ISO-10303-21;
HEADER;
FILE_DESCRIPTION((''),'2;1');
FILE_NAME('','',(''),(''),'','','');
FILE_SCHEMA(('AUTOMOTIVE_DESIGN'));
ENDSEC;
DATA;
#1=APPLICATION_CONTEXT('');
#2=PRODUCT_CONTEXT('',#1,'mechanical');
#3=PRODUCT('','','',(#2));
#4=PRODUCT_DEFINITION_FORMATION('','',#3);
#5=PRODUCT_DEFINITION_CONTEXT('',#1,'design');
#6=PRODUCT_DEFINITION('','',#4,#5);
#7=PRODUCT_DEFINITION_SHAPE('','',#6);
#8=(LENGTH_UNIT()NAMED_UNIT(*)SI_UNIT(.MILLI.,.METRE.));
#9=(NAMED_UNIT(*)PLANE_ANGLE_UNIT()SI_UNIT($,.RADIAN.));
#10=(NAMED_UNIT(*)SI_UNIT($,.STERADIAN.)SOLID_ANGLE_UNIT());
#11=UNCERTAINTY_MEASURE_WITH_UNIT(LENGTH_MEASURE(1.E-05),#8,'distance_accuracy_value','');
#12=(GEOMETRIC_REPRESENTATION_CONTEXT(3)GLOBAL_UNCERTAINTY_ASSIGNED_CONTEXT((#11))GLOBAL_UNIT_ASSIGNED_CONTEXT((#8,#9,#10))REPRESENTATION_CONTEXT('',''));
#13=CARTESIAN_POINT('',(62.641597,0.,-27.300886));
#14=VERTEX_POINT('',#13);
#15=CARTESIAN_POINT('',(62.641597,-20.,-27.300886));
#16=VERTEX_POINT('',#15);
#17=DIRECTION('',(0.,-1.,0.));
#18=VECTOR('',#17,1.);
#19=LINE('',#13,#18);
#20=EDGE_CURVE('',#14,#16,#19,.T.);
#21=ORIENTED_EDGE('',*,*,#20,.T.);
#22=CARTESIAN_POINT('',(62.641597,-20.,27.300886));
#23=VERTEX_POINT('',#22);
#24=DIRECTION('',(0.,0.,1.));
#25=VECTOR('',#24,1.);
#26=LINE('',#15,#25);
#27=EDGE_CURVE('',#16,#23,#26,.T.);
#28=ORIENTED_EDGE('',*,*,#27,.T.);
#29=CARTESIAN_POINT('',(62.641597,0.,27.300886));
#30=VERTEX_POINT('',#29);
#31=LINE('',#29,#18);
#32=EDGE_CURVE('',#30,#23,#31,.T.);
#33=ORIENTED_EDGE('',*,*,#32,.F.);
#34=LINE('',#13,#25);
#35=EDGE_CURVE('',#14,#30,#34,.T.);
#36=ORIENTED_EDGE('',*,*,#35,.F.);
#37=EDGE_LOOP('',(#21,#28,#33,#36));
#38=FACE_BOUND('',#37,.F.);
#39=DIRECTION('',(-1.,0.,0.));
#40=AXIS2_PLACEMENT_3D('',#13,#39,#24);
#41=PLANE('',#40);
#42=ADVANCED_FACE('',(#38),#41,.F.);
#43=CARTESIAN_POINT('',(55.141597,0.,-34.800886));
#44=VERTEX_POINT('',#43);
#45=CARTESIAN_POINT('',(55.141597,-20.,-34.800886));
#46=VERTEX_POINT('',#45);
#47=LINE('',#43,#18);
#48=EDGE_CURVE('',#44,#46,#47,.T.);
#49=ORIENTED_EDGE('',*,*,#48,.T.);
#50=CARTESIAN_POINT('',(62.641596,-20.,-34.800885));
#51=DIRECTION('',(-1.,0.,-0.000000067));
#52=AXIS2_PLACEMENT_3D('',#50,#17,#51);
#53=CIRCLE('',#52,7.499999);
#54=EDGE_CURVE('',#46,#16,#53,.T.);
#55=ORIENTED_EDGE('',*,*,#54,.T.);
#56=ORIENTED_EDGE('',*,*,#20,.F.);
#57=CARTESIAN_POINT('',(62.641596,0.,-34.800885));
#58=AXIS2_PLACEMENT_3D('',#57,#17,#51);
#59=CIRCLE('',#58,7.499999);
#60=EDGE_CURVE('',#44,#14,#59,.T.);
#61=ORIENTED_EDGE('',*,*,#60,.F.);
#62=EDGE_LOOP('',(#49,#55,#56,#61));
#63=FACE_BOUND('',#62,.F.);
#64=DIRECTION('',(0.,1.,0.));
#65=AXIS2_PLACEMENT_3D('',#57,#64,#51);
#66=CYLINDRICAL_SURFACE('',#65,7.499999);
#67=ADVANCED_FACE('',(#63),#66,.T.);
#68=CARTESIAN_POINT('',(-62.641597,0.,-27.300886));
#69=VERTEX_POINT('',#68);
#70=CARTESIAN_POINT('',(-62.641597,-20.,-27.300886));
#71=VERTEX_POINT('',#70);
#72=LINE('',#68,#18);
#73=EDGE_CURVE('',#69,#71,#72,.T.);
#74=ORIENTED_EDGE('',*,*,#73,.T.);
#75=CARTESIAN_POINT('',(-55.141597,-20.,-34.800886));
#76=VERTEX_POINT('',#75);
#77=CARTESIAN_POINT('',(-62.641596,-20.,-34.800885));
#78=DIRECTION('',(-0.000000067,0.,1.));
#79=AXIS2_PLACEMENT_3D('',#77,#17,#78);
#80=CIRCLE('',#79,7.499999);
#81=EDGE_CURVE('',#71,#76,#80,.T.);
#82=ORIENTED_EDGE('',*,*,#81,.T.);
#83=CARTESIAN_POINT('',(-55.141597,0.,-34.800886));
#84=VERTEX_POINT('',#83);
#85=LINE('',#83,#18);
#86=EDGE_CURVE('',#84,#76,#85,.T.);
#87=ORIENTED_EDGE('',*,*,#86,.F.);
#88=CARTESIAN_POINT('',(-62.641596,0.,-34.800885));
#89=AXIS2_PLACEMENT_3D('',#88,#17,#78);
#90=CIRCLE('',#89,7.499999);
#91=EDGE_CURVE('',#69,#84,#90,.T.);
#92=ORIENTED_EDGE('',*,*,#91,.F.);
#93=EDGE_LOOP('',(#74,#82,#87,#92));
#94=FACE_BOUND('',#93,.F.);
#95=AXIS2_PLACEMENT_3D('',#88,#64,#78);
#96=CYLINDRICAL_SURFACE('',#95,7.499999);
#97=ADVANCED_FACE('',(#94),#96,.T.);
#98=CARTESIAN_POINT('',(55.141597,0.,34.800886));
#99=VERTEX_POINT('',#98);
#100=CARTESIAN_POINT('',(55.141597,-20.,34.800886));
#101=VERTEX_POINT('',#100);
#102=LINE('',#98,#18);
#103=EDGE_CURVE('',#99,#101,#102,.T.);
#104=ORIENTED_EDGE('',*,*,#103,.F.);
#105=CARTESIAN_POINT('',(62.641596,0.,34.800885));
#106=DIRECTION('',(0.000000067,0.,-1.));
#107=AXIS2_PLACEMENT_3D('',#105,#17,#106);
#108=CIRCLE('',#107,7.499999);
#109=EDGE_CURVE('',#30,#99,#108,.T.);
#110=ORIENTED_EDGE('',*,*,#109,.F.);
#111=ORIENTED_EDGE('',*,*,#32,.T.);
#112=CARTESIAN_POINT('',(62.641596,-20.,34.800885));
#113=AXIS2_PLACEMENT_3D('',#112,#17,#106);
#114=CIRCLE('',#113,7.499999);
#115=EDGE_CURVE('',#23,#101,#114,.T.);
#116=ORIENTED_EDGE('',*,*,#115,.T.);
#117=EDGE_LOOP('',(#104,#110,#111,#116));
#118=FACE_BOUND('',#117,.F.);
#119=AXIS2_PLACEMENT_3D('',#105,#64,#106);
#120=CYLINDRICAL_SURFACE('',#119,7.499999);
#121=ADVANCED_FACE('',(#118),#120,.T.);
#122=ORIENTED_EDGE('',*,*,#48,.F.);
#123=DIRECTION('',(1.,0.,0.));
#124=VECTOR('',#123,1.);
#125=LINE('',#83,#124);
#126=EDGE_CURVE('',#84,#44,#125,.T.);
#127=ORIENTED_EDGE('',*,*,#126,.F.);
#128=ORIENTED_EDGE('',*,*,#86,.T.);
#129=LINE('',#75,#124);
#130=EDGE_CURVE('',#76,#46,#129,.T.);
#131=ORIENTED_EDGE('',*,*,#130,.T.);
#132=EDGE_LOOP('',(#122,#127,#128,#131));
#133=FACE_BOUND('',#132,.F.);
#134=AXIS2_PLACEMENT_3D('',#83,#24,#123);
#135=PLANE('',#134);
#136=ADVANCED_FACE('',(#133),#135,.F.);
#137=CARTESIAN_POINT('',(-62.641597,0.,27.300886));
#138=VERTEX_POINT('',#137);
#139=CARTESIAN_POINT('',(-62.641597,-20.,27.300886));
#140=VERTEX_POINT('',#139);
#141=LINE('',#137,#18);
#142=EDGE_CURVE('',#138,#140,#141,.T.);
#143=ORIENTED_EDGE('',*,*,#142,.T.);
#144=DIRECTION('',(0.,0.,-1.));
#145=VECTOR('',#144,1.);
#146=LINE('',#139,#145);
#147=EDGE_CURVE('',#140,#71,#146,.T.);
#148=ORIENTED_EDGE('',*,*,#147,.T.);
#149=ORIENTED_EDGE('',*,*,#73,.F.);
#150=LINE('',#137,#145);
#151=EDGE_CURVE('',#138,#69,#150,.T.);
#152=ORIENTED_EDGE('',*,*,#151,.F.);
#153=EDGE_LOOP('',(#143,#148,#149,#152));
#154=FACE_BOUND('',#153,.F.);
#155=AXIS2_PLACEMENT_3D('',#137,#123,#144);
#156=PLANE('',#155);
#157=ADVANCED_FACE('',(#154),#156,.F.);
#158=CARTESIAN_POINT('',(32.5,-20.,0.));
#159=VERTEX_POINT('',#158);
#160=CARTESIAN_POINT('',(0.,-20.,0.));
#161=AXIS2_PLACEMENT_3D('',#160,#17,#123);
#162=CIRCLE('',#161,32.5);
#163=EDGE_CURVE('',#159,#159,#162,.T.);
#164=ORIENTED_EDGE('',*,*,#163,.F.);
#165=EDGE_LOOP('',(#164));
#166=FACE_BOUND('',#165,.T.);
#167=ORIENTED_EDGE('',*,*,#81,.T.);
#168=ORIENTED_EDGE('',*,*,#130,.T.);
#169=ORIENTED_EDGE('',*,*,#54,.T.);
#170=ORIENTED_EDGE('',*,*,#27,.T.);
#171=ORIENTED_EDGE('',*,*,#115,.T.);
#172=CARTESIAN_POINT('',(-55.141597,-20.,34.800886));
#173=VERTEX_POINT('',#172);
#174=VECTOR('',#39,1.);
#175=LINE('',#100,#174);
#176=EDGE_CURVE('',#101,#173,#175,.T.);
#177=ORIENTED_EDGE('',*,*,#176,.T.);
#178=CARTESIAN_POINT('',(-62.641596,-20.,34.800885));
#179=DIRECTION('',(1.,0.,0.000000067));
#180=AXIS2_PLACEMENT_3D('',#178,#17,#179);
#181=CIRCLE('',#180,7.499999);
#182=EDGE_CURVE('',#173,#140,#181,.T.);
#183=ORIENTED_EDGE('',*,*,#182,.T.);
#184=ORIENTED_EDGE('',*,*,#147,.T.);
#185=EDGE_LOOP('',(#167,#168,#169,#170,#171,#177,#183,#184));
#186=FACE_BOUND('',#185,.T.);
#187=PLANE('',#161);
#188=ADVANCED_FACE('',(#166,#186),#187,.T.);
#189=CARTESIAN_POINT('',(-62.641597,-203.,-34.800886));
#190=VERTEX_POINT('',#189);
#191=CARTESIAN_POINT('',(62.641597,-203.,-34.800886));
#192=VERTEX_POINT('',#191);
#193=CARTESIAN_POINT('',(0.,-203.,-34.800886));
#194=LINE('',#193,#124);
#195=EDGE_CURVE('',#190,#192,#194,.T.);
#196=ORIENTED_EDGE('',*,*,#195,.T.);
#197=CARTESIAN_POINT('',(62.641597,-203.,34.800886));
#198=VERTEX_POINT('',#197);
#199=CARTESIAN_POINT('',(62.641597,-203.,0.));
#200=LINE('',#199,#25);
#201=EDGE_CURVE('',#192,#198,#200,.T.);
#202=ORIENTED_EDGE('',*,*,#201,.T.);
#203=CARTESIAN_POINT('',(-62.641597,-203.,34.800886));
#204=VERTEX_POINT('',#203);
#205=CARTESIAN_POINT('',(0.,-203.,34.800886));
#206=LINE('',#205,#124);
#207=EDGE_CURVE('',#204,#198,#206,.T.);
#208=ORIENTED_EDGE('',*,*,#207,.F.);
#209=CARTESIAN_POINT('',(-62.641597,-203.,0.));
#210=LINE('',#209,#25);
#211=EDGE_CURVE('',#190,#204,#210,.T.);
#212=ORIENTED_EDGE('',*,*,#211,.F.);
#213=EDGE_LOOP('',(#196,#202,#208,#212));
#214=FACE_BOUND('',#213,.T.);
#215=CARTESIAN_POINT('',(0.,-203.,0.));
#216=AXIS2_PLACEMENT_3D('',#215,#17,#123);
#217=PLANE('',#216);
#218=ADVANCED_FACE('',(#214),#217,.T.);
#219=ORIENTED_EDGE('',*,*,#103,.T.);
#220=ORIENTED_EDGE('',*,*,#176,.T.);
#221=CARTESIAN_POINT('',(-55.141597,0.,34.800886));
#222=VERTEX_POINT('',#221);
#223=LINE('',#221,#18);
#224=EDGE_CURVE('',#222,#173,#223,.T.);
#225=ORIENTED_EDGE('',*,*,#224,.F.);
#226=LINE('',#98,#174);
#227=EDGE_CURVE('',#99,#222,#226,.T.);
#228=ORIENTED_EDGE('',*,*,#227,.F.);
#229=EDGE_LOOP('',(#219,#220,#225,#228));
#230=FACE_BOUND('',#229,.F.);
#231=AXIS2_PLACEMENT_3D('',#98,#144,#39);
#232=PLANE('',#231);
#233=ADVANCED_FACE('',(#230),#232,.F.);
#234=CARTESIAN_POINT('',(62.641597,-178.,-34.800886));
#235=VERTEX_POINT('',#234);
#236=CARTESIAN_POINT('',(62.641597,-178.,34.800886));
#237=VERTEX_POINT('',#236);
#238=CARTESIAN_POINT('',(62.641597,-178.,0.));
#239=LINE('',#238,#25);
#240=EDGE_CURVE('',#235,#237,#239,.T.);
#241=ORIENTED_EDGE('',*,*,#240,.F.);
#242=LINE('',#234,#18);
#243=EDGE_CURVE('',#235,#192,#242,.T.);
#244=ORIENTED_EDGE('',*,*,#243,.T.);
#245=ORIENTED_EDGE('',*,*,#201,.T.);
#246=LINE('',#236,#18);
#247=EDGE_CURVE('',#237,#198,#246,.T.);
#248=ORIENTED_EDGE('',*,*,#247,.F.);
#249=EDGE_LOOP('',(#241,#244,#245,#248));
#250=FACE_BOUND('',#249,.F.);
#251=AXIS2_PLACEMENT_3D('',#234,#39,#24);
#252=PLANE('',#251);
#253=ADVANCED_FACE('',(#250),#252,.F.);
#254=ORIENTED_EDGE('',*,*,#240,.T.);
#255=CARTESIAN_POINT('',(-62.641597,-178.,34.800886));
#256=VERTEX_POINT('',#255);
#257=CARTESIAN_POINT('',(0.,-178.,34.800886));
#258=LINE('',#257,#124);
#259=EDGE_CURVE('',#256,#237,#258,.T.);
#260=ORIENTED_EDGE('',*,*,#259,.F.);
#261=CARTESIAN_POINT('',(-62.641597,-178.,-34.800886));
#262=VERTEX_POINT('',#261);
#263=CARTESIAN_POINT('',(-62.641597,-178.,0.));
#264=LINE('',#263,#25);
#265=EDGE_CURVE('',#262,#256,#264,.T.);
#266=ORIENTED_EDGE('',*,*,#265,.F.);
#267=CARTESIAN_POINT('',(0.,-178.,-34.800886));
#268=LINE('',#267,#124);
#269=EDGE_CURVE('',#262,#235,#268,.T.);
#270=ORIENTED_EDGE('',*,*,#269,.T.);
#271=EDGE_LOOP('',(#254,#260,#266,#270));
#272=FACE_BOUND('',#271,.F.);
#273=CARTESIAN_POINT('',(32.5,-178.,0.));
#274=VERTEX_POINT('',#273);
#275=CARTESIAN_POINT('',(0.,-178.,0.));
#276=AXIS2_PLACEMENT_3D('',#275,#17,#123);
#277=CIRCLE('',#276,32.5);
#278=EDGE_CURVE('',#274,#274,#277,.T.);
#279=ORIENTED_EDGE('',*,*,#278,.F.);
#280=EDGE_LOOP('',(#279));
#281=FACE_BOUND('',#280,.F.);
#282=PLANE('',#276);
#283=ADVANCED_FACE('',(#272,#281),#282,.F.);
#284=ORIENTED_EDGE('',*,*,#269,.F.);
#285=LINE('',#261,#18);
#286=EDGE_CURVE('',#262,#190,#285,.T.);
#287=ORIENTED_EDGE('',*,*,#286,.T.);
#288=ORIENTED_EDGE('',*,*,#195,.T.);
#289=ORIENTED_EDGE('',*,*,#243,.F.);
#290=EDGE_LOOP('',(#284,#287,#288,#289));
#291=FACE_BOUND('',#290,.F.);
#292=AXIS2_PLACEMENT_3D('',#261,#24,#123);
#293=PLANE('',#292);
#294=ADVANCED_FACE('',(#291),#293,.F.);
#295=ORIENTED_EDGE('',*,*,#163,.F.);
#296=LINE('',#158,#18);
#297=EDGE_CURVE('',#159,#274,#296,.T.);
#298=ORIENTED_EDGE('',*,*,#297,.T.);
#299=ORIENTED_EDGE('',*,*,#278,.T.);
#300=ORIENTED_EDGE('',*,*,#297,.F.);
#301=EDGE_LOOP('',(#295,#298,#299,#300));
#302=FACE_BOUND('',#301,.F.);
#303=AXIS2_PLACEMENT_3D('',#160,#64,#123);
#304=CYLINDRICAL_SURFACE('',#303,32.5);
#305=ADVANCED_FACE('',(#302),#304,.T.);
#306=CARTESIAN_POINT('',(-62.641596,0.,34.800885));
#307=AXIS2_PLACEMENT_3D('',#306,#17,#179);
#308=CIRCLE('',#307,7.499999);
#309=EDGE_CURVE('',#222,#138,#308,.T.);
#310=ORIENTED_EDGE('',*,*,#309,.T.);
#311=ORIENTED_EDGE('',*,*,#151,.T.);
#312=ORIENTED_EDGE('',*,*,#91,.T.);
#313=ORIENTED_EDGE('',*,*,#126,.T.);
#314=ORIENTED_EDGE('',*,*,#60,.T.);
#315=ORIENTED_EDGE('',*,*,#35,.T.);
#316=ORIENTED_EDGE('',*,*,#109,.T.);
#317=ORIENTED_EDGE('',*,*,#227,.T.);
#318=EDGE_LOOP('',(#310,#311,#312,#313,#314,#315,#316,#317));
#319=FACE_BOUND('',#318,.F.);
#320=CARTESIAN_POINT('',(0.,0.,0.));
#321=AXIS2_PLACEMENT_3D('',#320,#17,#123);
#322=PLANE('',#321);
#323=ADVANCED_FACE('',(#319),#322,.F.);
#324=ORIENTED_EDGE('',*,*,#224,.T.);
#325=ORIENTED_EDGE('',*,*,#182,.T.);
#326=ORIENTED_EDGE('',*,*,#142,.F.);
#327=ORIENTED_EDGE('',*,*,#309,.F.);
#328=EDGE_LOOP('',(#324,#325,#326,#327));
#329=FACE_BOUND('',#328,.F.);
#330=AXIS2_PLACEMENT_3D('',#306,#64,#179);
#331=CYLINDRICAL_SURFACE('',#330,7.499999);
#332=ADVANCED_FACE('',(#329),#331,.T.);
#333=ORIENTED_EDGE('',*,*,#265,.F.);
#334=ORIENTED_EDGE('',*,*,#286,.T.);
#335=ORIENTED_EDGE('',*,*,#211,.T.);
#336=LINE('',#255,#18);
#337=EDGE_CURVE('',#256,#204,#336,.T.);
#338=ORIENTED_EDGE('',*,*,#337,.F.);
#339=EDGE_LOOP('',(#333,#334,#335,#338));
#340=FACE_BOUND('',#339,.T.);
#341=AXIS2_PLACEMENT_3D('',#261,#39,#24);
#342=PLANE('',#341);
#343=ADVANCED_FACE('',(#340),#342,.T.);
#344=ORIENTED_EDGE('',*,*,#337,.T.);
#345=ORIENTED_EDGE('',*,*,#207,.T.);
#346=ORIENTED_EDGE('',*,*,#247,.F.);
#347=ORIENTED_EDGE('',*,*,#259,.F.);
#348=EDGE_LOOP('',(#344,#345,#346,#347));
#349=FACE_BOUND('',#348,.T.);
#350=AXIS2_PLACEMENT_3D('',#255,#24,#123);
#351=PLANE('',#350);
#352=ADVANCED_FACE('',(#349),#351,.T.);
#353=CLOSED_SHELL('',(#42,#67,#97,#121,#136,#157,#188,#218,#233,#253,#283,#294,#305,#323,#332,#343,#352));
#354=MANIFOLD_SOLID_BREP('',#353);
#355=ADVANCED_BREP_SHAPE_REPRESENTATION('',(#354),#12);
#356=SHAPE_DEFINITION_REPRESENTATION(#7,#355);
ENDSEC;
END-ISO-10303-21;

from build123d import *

# Parameters (mm, degrees)
F1_DEPTH = 20
F2_R     = 32.5
F3_DEPTH = 158
F4_W     = 125.283194
F4_H     = 69.601772
F5_DEPTH = 25


with BuildPart() as f1:
    # F0 (on Front) → F1 (new body)
    with BuildSketch(Plane.XZ):
        with BuildLine():
            ThreePointArc((62.641597, 27.300886), (67.944897, 40.104186), (55.141597, 34.800886))
            Line((55.141597, 34.800886), (-55.141597, 34.800886))
            ThreePointArc((-55.141597, 34.800886), (-67.944897, 40.104186), (-62.641597, 27.300886))
            Line((-62.641597, 27.300886), (-62.641597, -27.300886))
            ThreePointArc((-62.641597, -27.300886), (-67.944897, -40.104186), (-55.141597, -34.800886))
            Line((-55.141597, -34.800886), (55.141597, -34.800886))
            ThreePointArc((55.141597, -34.800886), (67.944897, -40.104186), (62.641597, -27.300886))
            Line((62.641597, -27.300886), (62.641597, 27.300886))
        make_face()
    extrude(amount=F1_DEPTH)

    # F2 (on face) → F3 (join)
    with BuildSketch(Plane.XZ.offset(20)):
        Circle(F2_R)
    extrude(amount=F3_DEPTH)

    # F4 (on face) → F5 (join)
    with BuildSketch(Plane.XZ.offset(178)):
        Rectangle(F4_W, F4_H)
    extrude(amount=F5_DEPTH)


solid = f1.part
